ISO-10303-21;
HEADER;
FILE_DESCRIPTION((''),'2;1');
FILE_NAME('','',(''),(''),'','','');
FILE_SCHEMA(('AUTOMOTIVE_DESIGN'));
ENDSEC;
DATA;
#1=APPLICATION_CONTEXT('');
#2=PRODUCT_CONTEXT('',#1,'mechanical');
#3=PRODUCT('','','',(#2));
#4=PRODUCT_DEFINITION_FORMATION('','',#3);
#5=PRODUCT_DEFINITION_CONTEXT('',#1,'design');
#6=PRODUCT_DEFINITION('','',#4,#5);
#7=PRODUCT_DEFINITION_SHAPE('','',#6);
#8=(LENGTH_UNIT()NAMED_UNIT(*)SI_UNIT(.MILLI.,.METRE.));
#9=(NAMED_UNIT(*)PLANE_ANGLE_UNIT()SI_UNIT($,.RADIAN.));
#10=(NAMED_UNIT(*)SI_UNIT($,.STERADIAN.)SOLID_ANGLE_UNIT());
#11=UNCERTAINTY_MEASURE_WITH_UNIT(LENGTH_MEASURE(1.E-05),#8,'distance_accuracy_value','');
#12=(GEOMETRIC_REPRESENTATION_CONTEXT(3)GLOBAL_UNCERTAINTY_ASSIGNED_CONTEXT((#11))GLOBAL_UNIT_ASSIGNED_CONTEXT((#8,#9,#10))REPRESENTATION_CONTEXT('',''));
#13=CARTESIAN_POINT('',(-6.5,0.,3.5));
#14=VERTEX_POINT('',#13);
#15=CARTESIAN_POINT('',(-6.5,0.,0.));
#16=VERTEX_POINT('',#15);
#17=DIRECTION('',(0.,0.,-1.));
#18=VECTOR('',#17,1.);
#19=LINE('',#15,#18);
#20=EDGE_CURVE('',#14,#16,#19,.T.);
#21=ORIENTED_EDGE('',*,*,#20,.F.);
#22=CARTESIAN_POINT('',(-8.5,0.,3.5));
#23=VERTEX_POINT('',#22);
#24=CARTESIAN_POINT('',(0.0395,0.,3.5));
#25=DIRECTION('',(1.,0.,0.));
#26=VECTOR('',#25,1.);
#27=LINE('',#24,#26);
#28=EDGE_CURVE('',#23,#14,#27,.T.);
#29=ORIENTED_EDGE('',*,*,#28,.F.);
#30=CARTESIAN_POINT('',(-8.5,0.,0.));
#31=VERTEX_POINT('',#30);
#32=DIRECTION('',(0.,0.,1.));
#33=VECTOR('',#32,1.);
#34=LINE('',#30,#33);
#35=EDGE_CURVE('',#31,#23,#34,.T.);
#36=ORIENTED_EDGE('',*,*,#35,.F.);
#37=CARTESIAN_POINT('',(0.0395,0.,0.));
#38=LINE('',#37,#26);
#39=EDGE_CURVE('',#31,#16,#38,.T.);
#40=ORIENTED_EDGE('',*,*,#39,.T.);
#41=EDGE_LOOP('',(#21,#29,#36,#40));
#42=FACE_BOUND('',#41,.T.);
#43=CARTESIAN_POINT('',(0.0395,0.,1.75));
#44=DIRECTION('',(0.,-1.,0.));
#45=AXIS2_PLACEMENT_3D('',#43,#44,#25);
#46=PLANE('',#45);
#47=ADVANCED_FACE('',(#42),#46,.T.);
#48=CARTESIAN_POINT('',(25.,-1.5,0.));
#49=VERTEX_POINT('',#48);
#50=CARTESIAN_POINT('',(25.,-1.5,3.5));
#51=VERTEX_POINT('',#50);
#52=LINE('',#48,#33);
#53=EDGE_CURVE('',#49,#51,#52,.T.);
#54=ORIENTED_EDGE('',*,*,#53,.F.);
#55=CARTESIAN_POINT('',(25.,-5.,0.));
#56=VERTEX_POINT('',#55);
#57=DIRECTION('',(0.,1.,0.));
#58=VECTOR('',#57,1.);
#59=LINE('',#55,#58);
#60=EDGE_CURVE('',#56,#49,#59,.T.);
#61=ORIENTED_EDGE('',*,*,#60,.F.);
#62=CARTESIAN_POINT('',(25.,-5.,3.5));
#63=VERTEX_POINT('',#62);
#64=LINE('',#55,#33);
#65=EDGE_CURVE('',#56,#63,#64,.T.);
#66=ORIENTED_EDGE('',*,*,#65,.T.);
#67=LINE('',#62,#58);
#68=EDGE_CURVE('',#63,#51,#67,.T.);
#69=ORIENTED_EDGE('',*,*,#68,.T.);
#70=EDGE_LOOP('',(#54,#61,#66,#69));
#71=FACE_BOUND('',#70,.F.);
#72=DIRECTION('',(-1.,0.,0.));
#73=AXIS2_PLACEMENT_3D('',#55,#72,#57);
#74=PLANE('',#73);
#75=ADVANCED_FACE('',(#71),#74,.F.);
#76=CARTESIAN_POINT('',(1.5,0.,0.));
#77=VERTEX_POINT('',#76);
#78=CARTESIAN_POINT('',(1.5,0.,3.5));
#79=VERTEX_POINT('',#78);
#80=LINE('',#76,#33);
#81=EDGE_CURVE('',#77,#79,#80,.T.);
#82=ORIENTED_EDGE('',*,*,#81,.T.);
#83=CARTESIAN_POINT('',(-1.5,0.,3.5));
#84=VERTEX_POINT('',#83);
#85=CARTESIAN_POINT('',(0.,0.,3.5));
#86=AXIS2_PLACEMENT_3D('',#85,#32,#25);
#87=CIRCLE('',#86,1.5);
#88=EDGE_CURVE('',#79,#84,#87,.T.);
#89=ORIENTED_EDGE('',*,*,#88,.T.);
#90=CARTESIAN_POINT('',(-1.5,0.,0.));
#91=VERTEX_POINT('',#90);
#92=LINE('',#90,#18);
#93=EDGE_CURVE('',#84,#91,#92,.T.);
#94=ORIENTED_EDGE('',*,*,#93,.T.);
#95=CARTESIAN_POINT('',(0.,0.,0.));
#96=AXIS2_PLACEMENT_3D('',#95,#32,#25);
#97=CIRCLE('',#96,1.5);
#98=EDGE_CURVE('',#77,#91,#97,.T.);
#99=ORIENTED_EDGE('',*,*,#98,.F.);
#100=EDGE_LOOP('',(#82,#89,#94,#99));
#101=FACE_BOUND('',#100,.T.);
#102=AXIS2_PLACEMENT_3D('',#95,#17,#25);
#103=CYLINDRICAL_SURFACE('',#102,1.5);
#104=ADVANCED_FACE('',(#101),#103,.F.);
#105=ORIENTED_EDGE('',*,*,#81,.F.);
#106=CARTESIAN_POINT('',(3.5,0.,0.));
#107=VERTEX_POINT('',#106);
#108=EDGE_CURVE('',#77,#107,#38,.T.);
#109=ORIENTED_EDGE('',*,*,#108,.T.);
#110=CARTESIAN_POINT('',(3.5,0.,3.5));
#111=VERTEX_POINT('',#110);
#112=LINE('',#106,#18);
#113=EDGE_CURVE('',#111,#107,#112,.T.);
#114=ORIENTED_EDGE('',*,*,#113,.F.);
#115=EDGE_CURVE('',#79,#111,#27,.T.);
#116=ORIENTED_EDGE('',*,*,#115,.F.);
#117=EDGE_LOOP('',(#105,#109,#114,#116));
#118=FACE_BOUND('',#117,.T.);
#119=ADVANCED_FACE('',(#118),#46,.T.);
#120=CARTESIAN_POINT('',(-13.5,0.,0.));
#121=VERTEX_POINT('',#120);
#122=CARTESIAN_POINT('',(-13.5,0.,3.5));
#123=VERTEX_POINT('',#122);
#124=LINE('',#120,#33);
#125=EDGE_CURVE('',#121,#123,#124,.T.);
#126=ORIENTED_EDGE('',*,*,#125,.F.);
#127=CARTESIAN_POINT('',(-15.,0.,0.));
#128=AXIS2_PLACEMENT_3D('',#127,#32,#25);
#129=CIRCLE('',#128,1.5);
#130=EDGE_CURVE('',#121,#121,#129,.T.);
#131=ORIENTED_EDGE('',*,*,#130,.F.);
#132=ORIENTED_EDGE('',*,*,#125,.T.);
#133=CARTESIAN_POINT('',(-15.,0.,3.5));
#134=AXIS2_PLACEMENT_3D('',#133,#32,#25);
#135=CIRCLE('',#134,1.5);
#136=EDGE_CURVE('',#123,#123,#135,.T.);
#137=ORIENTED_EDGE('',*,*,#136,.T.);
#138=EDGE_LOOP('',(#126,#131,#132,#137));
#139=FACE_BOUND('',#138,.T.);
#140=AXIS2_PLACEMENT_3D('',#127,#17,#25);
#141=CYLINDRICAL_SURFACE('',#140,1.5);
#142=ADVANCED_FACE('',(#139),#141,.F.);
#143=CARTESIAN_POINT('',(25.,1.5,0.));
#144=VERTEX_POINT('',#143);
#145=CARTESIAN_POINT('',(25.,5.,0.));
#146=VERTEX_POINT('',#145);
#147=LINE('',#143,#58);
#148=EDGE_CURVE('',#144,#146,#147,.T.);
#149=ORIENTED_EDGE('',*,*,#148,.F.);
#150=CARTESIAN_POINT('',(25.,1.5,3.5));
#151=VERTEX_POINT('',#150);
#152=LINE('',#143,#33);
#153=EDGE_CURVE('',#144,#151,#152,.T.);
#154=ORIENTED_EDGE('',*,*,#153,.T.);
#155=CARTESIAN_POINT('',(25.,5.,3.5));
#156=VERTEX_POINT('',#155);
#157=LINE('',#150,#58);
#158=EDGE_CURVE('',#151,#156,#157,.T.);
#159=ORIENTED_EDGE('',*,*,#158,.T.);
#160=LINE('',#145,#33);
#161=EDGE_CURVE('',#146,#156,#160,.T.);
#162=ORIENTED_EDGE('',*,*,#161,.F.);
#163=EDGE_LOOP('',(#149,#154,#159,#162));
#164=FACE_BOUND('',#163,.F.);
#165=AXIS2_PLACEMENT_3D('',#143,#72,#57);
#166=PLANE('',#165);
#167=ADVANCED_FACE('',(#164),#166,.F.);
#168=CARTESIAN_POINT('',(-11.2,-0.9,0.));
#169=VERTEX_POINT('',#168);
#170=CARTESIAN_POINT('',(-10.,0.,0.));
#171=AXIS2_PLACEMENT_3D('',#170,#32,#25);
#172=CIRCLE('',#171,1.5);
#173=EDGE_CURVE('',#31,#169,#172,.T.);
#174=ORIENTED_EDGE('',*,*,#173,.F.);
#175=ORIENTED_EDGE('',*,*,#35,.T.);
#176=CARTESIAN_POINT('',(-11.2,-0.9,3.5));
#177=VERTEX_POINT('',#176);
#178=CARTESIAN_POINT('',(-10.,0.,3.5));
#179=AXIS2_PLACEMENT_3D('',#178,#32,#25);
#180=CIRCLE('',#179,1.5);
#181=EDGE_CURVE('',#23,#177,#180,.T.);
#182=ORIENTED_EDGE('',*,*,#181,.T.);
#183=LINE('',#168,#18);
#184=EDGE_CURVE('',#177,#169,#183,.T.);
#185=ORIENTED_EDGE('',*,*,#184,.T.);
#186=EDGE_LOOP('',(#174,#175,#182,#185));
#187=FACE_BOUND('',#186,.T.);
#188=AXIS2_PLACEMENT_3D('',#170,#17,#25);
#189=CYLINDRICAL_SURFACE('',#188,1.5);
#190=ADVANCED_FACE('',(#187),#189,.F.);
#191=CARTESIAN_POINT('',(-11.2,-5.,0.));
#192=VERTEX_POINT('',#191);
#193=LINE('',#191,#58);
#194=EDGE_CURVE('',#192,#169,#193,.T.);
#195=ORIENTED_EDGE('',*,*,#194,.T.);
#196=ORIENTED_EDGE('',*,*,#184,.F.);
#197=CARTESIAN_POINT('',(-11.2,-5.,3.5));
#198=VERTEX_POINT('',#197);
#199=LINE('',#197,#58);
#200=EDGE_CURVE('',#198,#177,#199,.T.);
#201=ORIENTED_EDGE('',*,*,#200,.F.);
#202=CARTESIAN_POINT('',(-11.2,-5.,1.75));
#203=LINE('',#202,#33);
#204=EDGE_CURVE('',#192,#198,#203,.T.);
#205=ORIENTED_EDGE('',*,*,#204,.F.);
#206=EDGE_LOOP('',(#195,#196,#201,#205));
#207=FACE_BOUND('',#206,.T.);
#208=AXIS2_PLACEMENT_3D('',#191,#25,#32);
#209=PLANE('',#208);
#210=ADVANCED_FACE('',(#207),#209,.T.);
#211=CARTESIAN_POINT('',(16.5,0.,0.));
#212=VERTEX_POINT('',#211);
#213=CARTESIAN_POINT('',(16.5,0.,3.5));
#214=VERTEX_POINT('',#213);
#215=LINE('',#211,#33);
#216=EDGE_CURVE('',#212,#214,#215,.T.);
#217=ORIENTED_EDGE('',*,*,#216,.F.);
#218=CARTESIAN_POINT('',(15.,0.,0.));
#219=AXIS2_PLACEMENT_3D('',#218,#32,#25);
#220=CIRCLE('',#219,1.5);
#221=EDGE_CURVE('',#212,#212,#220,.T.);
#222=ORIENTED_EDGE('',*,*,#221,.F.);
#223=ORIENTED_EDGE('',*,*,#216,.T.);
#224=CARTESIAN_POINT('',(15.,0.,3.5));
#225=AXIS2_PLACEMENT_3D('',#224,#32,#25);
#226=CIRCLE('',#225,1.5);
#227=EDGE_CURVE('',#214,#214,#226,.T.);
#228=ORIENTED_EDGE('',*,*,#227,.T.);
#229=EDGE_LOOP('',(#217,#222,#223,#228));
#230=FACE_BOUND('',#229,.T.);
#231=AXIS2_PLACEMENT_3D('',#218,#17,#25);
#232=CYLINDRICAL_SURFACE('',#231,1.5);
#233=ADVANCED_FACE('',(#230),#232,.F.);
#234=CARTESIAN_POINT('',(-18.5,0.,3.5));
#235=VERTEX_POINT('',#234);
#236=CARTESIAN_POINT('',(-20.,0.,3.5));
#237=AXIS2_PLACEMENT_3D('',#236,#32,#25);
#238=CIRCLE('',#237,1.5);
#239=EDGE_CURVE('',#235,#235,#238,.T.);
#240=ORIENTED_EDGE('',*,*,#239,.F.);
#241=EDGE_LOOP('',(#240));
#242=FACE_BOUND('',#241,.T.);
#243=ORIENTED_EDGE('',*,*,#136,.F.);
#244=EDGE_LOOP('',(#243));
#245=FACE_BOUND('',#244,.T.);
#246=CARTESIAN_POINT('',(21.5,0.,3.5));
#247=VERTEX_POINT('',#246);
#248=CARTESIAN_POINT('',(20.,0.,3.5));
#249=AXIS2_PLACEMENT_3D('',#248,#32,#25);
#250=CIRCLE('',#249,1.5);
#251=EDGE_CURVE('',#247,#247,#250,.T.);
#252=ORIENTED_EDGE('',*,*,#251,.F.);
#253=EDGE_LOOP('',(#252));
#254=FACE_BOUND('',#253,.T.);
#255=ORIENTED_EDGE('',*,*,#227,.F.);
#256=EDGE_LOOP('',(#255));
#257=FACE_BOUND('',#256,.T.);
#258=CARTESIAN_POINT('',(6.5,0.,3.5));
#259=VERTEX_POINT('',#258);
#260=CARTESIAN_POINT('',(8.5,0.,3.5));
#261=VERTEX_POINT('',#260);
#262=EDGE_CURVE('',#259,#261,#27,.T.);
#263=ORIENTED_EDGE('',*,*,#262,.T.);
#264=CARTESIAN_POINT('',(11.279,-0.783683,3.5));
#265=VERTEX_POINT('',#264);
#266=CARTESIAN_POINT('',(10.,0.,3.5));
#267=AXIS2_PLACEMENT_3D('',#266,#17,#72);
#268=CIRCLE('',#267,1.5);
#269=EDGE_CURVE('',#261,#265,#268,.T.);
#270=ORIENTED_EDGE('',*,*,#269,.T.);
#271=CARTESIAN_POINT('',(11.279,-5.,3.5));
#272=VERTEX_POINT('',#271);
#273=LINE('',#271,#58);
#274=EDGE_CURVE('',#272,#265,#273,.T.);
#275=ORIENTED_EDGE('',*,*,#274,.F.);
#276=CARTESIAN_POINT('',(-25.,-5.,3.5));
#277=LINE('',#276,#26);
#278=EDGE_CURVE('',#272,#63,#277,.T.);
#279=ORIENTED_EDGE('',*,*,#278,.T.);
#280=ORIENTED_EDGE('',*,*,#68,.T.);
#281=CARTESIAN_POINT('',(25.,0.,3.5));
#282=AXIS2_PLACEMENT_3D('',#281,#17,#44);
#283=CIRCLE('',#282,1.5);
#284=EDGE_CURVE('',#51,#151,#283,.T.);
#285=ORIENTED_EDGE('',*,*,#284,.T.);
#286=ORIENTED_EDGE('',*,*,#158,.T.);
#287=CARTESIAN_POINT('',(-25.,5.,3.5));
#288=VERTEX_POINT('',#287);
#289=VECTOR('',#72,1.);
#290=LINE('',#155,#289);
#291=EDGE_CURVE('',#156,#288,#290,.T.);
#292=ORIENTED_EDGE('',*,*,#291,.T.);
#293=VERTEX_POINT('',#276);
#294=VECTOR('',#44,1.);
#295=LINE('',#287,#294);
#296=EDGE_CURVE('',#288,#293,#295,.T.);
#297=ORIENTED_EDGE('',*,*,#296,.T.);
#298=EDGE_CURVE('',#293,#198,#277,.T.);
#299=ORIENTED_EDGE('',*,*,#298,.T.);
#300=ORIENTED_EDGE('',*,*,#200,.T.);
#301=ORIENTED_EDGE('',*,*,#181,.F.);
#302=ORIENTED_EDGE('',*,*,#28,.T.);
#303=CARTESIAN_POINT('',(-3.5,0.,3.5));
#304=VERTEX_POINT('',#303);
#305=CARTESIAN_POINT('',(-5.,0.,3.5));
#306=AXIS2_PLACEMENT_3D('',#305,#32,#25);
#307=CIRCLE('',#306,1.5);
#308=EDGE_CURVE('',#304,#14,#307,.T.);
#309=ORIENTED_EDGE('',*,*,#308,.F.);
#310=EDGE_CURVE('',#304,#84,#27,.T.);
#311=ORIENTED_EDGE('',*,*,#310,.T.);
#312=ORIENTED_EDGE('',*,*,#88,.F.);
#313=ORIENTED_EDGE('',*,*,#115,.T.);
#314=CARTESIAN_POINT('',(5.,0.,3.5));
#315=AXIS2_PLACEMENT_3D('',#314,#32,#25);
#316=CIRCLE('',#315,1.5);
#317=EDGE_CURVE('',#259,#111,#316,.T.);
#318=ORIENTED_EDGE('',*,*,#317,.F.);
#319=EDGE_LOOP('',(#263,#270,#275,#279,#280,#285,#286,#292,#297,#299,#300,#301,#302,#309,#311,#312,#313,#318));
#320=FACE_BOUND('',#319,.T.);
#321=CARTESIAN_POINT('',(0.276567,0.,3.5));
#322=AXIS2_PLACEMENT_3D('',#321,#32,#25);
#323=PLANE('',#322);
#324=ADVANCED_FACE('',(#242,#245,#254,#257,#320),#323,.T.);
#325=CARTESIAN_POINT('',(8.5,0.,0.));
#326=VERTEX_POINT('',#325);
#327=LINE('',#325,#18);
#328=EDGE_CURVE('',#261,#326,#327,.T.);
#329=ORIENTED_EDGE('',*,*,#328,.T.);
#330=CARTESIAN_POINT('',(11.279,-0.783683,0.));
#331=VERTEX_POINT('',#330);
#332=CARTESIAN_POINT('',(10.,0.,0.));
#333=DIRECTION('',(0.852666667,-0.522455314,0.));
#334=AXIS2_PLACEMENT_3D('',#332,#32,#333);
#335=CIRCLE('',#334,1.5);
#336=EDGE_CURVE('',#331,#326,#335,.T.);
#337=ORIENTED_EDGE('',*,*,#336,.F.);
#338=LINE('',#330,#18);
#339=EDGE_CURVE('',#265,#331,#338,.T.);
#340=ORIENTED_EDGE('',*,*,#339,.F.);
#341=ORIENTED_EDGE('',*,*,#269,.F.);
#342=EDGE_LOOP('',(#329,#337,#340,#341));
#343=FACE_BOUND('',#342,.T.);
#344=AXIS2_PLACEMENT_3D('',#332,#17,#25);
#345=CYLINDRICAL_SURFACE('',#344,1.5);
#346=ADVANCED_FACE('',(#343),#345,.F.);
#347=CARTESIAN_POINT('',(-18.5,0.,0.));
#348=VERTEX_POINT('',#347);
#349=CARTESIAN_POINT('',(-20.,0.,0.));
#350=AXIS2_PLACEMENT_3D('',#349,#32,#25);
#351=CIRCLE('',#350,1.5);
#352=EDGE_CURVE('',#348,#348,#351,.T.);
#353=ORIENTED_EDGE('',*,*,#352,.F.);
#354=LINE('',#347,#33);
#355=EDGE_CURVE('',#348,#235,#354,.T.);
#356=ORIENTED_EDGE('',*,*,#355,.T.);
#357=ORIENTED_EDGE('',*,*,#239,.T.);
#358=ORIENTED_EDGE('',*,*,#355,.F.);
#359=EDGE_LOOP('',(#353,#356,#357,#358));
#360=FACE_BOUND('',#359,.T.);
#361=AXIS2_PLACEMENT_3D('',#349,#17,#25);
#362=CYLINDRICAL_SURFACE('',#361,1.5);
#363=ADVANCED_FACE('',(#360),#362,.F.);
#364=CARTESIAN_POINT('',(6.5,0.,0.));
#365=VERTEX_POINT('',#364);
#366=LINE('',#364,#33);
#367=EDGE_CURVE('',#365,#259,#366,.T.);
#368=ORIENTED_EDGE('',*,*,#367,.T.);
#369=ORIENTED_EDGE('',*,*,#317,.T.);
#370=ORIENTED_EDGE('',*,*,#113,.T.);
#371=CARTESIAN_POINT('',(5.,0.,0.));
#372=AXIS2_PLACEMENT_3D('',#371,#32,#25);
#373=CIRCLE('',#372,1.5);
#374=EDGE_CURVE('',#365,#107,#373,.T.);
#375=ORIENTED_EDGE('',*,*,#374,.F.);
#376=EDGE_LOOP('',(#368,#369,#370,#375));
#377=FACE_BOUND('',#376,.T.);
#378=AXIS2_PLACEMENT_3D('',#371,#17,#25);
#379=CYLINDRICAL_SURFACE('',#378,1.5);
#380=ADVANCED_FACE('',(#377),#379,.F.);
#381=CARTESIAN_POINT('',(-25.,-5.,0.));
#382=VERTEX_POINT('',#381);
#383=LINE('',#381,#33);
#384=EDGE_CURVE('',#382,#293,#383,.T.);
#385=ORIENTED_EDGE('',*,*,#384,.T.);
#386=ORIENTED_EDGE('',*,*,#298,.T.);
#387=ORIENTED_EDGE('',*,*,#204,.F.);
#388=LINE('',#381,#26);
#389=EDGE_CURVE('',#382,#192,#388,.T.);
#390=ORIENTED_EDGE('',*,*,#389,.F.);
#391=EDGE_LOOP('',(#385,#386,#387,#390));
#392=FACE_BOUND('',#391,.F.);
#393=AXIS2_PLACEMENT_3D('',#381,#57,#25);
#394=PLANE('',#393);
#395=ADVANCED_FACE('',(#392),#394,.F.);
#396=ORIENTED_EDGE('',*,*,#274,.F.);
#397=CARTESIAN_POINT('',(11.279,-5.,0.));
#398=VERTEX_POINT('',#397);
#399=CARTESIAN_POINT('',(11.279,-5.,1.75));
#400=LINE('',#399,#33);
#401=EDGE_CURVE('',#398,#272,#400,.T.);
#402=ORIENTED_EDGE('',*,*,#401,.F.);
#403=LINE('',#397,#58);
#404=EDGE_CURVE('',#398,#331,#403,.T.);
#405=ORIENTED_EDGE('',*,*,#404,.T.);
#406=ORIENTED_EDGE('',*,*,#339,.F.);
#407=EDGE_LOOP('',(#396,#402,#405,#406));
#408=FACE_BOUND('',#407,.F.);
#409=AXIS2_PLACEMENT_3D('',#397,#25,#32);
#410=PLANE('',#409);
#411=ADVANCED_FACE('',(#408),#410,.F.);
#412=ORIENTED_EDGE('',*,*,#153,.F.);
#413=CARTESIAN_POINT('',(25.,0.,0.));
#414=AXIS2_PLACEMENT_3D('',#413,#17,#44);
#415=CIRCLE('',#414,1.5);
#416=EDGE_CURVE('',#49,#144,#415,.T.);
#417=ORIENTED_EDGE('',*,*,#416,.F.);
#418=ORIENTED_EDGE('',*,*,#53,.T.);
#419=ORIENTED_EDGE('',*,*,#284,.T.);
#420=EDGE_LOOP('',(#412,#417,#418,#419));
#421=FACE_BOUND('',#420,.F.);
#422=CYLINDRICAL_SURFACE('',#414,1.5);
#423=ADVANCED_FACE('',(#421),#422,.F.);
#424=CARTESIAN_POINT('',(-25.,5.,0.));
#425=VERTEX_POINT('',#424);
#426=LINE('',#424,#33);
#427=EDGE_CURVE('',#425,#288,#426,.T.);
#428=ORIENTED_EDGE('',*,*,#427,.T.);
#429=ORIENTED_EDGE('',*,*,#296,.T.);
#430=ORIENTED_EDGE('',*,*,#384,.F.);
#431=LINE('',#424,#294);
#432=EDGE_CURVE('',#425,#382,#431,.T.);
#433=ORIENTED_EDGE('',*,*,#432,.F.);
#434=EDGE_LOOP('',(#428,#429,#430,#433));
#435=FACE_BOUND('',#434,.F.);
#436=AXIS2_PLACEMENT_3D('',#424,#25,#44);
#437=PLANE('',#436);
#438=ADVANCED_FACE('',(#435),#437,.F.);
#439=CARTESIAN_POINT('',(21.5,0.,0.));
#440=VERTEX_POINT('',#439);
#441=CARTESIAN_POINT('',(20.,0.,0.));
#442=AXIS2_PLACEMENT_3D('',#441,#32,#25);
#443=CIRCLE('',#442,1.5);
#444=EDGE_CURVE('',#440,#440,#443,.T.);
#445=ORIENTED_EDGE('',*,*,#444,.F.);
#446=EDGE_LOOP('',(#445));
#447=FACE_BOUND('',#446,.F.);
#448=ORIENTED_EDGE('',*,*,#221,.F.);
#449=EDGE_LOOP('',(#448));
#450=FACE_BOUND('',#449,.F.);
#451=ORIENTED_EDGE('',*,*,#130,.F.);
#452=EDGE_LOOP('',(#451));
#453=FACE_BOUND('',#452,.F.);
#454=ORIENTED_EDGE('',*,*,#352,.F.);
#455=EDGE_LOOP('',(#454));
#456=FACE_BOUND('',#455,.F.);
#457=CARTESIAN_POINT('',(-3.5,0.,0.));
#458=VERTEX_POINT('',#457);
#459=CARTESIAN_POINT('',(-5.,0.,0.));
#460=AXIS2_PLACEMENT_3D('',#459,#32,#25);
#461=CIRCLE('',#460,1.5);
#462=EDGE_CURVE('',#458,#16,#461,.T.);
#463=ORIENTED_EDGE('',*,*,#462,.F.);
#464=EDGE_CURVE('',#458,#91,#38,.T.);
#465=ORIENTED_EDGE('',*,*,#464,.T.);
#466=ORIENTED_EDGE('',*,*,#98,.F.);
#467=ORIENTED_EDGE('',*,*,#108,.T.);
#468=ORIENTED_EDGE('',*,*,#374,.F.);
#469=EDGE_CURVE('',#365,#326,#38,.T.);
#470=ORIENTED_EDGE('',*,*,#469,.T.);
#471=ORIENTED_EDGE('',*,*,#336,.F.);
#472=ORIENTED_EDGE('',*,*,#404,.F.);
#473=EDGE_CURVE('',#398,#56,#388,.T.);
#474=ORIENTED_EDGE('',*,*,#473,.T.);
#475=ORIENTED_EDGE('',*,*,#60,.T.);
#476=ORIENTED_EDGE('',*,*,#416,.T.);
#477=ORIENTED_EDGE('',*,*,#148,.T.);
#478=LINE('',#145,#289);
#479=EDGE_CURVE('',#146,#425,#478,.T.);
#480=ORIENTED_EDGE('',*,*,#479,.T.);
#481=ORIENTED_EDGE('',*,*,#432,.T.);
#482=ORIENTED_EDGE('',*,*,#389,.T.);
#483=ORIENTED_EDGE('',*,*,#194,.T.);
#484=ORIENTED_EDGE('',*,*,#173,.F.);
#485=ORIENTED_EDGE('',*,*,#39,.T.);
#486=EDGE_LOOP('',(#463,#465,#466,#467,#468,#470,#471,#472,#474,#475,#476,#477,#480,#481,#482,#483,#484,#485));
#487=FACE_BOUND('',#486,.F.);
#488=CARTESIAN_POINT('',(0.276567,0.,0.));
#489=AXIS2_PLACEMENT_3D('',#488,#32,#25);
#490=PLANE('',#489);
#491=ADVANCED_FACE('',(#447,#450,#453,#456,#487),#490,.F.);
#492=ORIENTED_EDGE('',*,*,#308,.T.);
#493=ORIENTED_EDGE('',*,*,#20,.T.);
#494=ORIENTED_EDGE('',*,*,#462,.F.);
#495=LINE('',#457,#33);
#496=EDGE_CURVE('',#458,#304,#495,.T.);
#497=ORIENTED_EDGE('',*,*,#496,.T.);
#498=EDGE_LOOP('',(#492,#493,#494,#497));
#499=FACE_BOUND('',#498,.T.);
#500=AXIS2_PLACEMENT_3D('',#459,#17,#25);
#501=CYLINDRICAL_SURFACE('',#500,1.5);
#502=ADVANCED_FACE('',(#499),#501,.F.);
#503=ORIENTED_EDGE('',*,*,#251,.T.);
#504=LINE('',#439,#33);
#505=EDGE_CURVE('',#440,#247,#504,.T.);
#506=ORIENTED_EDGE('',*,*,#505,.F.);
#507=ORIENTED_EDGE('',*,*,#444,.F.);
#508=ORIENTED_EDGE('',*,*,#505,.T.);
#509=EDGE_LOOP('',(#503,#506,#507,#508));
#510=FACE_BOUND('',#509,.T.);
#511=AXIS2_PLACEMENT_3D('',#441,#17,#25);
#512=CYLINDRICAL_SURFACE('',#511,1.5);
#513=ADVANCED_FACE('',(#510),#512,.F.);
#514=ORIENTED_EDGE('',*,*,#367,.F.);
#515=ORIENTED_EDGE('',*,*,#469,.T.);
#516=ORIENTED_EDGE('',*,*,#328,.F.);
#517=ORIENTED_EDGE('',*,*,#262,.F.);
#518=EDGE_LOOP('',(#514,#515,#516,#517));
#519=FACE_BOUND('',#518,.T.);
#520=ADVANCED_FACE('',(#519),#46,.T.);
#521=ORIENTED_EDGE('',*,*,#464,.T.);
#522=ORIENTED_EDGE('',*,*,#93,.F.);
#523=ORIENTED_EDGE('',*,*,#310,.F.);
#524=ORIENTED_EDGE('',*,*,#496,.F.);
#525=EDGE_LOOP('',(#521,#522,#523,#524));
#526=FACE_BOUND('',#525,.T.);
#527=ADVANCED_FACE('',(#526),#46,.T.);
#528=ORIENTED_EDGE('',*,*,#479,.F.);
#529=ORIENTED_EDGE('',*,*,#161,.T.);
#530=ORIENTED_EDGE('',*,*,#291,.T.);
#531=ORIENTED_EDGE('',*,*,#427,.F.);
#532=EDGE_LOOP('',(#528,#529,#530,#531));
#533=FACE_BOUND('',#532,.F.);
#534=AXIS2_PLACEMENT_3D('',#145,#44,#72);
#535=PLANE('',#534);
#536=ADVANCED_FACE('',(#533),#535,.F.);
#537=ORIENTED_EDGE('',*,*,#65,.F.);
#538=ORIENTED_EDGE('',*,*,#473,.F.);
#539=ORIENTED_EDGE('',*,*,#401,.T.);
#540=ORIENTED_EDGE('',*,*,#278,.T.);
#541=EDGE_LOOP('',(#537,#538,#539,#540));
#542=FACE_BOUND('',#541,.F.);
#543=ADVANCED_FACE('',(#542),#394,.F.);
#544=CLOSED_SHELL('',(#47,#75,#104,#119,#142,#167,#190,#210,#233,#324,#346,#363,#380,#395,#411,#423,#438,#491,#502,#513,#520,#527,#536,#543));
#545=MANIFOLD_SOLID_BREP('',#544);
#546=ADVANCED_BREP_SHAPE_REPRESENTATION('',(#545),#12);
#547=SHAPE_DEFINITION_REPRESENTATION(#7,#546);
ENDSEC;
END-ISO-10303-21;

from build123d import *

# Parameters (mm, degrees)
F0_R     = 1.5
F1_DEPTH = 3.5
F2_W     = 22.479
F2_H     = 3.5
F3_DEPTH = 5


with BuildPart() as f1:
    # F0 (on Top) → F1 (new body)
    with BuildSketch(Plane.XY):
        with BuildLine():
            Line((-25, -5), (25, -5))
            Line((25, -5), (25, -1.5))
            ThreePointArc((25, -1.5), (23.5, 0), (25, 1.5))
            Line((25, 1.5), (25, 5))
            Line((25, 5), (-25, 5))
            Line((-25, 5), (-25, -5))
        make_face()
        with Locations((-20, 0)):
            Circle(F0_R, mode=Mode.SUBTRACT)
        with Locations((-15, 0)):
            Circle(F0_R, mode=Mode.SUBTRACT)
        with Locations((-10, 0)):
            Circle(F0_R, mode=Mode.SUBTRACT)
        with Locations((-5, 0)):
            Circle(F0_R, mode=Mode.SUBTRACT)
        Circle(F0_R, mode=Mode.SUBTRACT)
        with Locations((5, 0)):
            Circle(F0_R, mode=Mode.SUBTRACT)
        with Locations((10, 0)):
            Circle(F0_R, mode=Mode.SUBTRACT)
        with Locations((15, 0)):
            Circle(F0_R, mode=Mode.SUBTRACT)
        with Locations((20, 0)):
            Circle(F0_R, mode=Mode.SUBTRACT)
    extrude(amount=F1_DEPTH)

    # F2 (on face) → F3 (cut)
    with BuildSketch(Plane.XZ.offset(5)):
        with Locations((0.0395, 1.75)):
            Rectangle(F2_W, F2_H)
    extrude(amount=-F3_DEPTH, mode=Mode.SUBTRACT)


solid = f1.part
